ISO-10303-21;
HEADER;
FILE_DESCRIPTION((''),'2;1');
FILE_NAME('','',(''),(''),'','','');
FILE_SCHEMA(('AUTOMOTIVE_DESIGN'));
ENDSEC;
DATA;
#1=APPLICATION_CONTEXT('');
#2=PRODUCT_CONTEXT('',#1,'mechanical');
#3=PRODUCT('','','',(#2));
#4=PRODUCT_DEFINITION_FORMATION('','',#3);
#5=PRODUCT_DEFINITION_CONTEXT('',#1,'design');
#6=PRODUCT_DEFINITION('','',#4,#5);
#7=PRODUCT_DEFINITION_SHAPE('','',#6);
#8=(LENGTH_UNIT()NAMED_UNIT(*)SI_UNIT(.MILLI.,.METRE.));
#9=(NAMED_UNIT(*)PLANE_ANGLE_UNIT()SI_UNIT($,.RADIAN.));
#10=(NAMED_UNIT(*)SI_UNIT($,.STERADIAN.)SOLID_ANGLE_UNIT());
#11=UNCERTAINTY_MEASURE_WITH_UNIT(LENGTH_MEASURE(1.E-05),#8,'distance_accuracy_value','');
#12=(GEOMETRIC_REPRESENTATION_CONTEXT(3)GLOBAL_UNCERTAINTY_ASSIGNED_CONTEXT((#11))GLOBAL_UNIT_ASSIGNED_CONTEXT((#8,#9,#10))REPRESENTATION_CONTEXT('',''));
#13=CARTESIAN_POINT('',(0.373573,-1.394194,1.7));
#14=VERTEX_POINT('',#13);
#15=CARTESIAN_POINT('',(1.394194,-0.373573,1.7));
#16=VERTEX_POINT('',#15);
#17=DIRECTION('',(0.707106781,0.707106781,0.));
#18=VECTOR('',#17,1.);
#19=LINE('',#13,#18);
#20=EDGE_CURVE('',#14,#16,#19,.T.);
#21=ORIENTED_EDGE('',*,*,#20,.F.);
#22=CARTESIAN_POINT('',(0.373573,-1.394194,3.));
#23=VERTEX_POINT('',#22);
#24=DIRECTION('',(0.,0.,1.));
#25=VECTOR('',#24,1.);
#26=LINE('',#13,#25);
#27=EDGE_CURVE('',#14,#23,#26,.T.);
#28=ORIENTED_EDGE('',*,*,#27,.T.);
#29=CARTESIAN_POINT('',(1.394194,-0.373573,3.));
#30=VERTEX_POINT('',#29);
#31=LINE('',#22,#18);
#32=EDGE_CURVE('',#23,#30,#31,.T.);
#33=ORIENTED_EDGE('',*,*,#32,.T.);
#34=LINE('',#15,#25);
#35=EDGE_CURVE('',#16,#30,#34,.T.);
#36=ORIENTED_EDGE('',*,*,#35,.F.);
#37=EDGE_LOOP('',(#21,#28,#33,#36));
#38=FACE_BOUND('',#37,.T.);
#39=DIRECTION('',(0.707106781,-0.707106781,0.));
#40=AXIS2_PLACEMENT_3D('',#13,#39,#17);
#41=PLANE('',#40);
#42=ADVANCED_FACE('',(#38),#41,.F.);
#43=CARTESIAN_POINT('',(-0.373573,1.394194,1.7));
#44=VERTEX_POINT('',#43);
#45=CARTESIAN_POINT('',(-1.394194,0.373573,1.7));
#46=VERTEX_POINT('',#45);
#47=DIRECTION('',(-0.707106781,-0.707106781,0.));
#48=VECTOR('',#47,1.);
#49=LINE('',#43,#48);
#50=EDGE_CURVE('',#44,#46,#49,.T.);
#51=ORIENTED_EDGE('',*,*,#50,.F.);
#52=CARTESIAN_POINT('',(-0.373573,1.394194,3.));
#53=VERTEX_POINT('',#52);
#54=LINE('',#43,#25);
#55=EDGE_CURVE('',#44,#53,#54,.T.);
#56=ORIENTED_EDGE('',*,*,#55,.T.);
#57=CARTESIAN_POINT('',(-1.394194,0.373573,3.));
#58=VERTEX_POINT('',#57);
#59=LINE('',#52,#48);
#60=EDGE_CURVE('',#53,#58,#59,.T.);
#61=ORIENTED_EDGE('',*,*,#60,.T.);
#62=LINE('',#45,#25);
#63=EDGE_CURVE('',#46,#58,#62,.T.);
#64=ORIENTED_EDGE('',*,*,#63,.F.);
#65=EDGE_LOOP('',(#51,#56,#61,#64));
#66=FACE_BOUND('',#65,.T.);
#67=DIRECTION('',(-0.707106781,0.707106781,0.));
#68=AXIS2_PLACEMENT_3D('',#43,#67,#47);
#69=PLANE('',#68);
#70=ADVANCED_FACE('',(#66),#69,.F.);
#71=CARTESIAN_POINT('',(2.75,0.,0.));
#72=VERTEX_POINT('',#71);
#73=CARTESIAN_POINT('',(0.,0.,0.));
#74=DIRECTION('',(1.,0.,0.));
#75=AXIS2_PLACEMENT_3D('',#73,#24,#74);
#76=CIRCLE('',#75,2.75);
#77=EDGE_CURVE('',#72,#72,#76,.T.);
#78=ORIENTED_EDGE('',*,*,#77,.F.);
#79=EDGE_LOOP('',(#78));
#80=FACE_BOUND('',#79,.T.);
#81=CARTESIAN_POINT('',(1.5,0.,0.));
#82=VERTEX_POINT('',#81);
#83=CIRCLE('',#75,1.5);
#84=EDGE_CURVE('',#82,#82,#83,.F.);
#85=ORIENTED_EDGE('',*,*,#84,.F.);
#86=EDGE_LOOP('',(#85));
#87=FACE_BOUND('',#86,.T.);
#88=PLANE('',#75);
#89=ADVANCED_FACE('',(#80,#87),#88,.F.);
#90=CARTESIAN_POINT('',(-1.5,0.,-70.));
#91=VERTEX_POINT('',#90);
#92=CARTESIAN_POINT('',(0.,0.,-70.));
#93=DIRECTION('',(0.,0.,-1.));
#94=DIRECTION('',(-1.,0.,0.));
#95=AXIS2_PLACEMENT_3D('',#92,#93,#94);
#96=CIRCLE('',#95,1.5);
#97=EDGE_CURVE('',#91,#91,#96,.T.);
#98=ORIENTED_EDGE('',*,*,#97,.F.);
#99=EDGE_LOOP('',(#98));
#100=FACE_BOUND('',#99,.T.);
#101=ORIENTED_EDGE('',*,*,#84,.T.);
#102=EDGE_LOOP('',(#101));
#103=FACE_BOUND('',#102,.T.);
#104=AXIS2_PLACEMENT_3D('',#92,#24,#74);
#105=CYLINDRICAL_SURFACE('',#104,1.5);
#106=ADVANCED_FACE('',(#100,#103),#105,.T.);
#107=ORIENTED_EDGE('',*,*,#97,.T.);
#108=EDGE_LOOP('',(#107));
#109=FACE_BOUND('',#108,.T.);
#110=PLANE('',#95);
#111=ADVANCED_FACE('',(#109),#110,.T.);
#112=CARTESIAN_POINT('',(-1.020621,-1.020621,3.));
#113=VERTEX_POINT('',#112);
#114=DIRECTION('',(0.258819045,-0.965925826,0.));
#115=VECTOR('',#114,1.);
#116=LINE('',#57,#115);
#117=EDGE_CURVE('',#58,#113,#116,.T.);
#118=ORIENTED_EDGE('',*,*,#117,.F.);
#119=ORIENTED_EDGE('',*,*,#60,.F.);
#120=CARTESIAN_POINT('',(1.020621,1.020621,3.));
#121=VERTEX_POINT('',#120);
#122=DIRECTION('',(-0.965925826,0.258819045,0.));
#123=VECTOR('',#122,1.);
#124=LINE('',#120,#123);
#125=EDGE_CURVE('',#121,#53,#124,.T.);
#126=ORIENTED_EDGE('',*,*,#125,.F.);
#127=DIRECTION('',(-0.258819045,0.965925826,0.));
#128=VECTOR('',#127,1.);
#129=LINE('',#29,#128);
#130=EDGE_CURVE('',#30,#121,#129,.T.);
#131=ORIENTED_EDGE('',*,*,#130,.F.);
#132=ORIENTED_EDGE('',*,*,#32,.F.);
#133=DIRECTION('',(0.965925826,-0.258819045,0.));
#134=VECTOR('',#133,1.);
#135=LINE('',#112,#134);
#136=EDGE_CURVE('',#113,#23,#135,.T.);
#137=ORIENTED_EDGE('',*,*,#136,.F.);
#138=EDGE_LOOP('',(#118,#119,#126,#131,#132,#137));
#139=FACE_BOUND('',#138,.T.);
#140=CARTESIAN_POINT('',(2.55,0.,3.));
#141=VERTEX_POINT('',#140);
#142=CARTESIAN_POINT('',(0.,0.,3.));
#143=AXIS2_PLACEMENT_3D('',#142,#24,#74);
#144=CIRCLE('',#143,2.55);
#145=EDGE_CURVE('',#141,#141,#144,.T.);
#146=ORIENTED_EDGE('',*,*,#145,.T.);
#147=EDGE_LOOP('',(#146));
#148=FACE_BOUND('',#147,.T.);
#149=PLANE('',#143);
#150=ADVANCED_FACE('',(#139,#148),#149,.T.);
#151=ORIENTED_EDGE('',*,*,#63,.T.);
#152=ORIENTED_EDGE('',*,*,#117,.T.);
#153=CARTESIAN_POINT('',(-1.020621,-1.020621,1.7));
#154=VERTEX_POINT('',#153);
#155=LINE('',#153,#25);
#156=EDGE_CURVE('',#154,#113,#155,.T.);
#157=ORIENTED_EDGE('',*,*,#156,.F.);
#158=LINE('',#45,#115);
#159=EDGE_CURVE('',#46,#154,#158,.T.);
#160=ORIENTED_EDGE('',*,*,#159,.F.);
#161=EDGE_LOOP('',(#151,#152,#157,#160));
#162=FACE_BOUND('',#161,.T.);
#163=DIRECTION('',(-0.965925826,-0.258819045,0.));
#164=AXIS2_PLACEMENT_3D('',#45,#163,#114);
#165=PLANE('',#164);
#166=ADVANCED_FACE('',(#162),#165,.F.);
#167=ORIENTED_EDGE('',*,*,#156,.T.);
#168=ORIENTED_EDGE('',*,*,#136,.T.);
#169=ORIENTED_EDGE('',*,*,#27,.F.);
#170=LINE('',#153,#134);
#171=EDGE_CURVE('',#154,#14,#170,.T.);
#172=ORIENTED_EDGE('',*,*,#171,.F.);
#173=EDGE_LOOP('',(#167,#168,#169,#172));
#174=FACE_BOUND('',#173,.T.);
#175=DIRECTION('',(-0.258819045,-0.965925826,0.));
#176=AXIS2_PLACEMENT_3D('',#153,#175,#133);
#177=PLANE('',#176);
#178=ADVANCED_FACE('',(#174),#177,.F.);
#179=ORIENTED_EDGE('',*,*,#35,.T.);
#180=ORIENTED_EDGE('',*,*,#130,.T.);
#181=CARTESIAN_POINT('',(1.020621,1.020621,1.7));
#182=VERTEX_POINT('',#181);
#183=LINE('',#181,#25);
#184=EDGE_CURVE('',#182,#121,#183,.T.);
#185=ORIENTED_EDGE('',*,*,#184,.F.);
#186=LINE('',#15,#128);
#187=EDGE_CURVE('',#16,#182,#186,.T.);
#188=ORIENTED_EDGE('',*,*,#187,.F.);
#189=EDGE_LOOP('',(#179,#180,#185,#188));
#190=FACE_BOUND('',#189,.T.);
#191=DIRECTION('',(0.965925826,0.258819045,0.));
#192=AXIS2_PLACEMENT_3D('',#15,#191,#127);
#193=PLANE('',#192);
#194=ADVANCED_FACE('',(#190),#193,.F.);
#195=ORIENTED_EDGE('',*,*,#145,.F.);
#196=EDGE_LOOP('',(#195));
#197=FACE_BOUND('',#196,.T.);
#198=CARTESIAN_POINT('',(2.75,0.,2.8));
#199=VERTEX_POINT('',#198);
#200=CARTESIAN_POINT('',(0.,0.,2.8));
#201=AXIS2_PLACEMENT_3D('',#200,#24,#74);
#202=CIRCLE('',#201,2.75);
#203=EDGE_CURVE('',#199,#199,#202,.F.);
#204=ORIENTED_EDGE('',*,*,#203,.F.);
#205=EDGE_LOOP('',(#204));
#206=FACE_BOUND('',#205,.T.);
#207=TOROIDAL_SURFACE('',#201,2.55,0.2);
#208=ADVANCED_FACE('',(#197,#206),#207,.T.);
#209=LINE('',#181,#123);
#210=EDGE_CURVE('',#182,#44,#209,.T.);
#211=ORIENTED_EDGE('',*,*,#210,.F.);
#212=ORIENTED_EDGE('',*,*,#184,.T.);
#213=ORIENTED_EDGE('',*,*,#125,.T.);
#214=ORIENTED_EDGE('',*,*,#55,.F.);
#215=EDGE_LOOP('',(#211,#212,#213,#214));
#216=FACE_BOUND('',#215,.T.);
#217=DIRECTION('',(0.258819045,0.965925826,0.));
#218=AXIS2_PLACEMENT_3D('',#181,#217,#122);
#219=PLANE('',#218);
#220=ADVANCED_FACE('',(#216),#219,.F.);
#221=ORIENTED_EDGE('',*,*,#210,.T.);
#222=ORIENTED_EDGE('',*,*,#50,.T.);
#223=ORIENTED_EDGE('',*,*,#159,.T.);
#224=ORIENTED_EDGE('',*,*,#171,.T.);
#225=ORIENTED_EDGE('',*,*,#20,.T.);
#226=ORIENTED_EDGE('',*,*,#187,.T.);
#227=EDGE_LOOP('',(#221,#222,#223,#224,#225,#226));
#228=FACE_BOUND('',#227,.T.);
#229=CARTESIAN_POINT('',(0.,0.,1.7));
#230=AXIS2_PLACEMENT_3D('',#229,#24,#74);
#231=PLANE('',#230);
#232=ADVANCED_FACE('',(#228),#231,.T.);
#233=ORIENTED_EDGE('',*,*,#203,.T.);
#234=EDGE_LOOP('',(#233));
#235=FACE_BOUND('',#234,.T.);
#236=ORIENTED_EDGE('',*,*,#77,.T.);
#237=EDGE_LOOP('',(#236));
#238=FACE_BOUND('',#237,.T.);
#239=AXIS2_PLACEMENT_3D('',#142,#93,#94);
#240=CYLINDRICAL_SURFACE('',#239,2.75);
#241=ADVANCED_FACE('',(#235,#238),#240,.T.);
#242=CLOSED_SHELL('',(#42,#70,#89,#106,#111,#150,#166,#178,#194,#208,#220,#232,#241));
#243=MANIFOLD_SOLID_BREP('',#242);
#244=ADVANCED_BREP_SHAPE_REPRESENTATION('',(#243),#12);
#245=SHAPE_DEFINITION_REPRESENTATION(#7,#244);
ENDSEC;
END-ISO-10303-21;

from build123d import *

# Parameters (mm, degrees)
SKETCH_1_R          = 2.75
EXTRUDE_1_DEPTH     = 3
CUT_EXTRUDE_1_DEPTH = 1.3
SKETCH_3_R          = 1.5
EXTRUDE_2_DEPTH     = 70
FILLET_1_R          = 0.2


with BuildPart() as part:
    # 草图1 → 凸台-拉伸1 (new body)
    with BuildSketch(Plane.XY):
        Circle(SKETCH_1_R)
    extrude(amount=EXTRUDE_1_DEPTH)

    # 草图2 → 切除-拉伸1 (cut)
    with BuildSketch(Plane.XY.offset(3)):
        Polygon((-1.020620726, -1.020620726), (0.373573113, -1.39419384), (1.39419384, -0.373573113), (1.020620726, 1.020620726), (-0.373573113, 1.39419384), (-1.39419384, 0.373573113), align=None)
    extrude(amount=-CUT_EXTRUDE_1_DEPTH, mode=Mode.SUBTRACT)

    # 草图3 → 凸台-拉伸2 (add)
    with BuildSketch(Plane(origin=(0, 0, 0), x_dir=(-1, 0, 0), z_dir=(0, 0, -1))):
        with Locations(Location((0, 0, 0), (0, 0, 180))):
            Circle(SKETCH_3_R)
    extrude(amount=EXTRUDE_2_DEPTH)

    # 圆角1
    fillet_1_edges = [part.edges().sort_by_distance(p)[0] for p in [
        (-2.75, 0, 3),
    ]]
    fillet(fillet_1_edges, radius=FILLET_1_R)


solid = part.part
